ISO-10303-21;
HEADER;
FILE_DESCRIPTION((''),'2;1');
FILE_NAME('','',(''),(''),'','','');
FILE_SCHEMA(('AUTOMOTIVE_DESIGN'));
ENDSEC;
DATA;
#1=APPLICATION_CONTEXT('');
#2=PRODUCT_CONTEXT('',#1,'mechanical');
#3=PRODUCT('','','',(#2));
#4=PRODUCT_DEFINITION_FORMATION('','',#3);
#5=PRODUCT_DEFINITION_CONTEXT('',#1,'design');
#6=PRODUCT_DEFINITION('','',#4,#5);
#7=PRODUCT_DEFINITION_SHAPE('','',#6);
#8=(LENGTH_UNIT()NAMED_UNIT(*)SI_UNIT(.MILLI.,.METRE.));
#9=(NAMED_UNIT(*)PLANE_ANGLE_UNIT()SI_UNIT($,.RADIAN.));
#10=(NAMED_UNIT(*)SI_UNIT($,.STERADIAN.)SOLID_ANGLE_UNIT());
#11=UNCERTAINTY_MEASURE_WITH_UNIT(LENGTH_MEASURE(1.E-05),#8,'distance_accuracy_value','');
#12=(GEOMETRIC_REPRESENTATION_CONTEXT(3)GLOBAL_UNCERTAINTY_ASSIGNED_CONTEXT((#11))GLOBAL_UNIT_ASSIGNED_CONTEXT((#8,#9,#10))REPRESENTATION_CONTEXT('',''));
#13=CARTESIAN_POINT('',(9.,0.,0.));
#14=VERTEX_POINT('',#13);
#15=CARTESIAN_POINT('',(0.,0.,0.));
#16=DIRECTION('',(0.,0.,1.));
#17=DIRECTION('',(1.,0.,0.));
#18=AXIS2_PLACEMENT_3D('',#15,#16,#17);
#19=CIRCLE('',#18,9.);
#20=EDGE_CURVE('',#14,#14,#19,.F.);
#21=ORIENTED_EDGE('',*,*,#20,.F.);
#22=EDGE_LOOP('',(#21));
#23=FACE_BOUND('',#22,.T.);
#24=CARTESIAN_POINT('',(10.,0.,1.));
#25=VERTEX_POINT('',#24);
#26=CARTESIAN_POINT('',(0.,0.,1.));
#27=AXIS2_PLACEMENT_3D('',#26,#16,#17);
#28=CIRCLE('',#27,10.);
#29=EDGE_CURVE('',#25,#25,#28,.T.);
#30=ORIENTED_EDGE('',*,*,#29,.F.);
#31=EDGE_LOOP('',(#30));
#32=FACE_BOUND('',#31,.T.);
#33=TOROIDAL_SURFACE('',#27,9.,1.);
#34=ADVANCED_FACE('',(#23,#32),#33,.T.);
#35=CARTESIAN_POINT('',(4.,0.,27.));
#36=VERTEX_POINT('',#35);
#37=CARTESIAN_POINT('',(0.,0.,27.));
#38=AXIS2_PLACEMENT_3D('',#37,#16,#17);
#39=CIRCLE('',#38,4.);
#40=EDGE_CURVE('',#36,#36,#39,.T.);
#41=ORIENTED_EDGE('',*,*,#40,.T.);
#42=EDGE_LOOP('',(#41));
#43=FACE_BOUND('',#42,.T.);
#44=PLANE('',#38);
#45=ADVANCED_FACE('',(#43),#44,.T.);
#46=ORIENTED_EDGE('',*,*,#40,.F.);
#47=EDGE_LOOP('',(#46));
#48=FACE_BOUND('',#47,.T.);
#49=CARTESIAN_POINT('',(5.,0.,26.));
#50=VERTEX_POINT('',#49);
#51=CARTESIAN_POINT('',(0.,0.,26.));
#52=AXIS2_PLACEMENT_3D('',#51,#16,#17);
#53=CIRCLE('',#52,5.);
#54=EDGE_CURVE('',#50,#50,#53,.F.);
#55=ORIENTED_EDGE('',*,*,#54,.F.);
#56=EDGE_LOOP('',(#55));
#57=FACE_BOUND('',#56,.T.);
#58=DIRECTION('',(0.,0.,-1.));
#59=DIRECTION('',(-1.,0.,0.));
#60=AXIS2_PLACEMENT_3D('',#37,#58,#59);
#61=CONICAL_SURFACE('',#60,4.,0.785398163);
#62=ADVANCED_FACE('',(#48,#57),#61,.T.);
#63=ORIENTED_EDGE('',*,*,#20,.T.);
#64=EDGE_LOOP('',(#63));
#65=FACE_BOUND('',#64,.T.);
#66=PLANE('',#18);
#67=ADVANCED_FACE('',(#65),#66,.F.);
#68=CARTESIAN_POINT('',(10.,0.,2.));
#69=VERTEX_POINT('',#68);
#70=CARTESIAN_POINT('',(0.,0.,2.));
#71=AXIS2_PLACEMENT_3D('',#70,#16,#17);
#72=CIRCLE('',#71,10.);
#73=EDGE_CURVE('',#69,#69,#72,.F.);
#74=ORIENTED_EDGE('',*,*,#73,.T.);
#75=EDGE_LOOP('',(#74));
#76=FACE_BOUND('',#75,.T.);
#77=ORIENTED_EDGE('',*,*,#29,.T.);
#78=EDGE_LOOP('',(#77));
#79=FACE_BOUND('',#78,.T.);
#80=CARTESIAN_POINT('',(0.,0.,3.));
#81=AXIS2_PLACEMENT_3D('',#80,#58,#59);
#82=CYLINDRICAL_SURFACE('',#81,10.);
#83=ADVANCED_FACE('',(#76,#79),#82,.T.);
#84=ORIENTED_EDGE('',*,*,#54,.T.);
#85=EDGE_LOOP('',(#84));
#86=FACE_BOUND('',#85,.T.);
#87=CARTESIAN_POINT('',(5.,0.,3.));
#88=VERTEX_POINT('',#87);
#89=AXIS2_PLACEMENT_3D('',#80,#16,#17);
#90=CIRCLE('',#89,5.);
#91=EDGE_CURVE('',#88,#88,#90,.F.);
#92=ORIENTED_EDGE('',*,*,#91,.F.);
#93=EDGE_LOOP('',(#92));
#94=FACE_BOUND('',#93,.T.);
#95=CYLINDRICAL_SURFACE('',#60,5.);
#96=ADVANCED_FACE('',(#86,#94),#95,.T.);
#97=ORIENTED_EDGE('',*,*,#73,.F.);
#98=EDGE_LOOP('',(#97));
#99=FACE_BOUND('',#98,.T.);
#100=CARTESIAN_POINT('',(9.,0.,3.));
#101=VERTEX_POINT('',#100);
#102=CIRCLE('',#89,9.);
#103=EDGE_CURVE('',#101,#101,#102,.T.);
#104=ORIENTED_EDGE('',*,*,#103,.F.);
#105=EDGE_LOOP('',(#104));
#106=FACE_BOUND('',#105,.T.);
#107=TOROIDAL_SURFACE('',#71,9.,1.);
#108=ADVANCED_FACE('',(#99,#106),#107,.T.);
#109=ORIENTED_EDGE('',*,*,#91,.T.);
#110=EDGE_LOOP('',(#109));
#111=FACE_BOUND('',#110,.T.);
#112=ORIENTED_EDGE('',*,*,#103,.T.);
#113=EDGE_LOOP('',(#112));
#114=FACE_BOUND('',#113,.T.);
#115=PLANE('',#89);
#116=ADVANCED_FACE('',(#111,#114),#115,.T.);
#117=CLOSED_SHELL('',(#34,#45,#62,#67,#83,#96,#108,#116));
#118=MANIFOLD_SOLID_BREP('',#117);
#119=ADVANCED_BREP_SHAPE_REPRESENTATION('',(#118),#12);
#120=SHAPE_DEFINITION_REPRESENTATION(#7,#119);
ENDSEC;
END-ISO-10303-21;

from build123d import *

# Parameters (mm, degrees)
SKETCH1_R           = 10
BOSS_EXTRUDE1_DEPTH = 3
SKETCH1_3_R         = 5
BOSS_EXTRUDE2_DEPTH = 27
CHAMFER1_SIZE       = 1
FILLET1_R           = 1


with BuildPart() as part:
    # Sketch1 → Boss-Extrude1 (new body)
    with BuildSketch(Plane.XY):
        Circle(SKETCH1_R)
    extrude(amount=BOSS_EXTRUDE1_DEPTH)

    # Sketch1<3> → Boss-Extrude2 (add)
    with BuildSketch(Plane.XY):
        Circle(SKETCH1_3_R)
    extrude(amount=BOSS_EXTRUDE2_DEPTH)

    # Chamfer1
    chamfer1_edges = [part.edges().sort_by_distance(p)[0] for p in [
        (-5, 0, 27),
    ]]
    chamfer(chamfer1_edges, length=CHAMFER1_SIZE)

    # Fillet1
    fillet1_edges = [part.edges().sort_by_distance(p)[0] for p in [
        (-10, 0, 3),
        (-10, 0, 0),
    ]]
    fillet(fillet1_edges, radius=FILLET1_R)


solid = part.part
